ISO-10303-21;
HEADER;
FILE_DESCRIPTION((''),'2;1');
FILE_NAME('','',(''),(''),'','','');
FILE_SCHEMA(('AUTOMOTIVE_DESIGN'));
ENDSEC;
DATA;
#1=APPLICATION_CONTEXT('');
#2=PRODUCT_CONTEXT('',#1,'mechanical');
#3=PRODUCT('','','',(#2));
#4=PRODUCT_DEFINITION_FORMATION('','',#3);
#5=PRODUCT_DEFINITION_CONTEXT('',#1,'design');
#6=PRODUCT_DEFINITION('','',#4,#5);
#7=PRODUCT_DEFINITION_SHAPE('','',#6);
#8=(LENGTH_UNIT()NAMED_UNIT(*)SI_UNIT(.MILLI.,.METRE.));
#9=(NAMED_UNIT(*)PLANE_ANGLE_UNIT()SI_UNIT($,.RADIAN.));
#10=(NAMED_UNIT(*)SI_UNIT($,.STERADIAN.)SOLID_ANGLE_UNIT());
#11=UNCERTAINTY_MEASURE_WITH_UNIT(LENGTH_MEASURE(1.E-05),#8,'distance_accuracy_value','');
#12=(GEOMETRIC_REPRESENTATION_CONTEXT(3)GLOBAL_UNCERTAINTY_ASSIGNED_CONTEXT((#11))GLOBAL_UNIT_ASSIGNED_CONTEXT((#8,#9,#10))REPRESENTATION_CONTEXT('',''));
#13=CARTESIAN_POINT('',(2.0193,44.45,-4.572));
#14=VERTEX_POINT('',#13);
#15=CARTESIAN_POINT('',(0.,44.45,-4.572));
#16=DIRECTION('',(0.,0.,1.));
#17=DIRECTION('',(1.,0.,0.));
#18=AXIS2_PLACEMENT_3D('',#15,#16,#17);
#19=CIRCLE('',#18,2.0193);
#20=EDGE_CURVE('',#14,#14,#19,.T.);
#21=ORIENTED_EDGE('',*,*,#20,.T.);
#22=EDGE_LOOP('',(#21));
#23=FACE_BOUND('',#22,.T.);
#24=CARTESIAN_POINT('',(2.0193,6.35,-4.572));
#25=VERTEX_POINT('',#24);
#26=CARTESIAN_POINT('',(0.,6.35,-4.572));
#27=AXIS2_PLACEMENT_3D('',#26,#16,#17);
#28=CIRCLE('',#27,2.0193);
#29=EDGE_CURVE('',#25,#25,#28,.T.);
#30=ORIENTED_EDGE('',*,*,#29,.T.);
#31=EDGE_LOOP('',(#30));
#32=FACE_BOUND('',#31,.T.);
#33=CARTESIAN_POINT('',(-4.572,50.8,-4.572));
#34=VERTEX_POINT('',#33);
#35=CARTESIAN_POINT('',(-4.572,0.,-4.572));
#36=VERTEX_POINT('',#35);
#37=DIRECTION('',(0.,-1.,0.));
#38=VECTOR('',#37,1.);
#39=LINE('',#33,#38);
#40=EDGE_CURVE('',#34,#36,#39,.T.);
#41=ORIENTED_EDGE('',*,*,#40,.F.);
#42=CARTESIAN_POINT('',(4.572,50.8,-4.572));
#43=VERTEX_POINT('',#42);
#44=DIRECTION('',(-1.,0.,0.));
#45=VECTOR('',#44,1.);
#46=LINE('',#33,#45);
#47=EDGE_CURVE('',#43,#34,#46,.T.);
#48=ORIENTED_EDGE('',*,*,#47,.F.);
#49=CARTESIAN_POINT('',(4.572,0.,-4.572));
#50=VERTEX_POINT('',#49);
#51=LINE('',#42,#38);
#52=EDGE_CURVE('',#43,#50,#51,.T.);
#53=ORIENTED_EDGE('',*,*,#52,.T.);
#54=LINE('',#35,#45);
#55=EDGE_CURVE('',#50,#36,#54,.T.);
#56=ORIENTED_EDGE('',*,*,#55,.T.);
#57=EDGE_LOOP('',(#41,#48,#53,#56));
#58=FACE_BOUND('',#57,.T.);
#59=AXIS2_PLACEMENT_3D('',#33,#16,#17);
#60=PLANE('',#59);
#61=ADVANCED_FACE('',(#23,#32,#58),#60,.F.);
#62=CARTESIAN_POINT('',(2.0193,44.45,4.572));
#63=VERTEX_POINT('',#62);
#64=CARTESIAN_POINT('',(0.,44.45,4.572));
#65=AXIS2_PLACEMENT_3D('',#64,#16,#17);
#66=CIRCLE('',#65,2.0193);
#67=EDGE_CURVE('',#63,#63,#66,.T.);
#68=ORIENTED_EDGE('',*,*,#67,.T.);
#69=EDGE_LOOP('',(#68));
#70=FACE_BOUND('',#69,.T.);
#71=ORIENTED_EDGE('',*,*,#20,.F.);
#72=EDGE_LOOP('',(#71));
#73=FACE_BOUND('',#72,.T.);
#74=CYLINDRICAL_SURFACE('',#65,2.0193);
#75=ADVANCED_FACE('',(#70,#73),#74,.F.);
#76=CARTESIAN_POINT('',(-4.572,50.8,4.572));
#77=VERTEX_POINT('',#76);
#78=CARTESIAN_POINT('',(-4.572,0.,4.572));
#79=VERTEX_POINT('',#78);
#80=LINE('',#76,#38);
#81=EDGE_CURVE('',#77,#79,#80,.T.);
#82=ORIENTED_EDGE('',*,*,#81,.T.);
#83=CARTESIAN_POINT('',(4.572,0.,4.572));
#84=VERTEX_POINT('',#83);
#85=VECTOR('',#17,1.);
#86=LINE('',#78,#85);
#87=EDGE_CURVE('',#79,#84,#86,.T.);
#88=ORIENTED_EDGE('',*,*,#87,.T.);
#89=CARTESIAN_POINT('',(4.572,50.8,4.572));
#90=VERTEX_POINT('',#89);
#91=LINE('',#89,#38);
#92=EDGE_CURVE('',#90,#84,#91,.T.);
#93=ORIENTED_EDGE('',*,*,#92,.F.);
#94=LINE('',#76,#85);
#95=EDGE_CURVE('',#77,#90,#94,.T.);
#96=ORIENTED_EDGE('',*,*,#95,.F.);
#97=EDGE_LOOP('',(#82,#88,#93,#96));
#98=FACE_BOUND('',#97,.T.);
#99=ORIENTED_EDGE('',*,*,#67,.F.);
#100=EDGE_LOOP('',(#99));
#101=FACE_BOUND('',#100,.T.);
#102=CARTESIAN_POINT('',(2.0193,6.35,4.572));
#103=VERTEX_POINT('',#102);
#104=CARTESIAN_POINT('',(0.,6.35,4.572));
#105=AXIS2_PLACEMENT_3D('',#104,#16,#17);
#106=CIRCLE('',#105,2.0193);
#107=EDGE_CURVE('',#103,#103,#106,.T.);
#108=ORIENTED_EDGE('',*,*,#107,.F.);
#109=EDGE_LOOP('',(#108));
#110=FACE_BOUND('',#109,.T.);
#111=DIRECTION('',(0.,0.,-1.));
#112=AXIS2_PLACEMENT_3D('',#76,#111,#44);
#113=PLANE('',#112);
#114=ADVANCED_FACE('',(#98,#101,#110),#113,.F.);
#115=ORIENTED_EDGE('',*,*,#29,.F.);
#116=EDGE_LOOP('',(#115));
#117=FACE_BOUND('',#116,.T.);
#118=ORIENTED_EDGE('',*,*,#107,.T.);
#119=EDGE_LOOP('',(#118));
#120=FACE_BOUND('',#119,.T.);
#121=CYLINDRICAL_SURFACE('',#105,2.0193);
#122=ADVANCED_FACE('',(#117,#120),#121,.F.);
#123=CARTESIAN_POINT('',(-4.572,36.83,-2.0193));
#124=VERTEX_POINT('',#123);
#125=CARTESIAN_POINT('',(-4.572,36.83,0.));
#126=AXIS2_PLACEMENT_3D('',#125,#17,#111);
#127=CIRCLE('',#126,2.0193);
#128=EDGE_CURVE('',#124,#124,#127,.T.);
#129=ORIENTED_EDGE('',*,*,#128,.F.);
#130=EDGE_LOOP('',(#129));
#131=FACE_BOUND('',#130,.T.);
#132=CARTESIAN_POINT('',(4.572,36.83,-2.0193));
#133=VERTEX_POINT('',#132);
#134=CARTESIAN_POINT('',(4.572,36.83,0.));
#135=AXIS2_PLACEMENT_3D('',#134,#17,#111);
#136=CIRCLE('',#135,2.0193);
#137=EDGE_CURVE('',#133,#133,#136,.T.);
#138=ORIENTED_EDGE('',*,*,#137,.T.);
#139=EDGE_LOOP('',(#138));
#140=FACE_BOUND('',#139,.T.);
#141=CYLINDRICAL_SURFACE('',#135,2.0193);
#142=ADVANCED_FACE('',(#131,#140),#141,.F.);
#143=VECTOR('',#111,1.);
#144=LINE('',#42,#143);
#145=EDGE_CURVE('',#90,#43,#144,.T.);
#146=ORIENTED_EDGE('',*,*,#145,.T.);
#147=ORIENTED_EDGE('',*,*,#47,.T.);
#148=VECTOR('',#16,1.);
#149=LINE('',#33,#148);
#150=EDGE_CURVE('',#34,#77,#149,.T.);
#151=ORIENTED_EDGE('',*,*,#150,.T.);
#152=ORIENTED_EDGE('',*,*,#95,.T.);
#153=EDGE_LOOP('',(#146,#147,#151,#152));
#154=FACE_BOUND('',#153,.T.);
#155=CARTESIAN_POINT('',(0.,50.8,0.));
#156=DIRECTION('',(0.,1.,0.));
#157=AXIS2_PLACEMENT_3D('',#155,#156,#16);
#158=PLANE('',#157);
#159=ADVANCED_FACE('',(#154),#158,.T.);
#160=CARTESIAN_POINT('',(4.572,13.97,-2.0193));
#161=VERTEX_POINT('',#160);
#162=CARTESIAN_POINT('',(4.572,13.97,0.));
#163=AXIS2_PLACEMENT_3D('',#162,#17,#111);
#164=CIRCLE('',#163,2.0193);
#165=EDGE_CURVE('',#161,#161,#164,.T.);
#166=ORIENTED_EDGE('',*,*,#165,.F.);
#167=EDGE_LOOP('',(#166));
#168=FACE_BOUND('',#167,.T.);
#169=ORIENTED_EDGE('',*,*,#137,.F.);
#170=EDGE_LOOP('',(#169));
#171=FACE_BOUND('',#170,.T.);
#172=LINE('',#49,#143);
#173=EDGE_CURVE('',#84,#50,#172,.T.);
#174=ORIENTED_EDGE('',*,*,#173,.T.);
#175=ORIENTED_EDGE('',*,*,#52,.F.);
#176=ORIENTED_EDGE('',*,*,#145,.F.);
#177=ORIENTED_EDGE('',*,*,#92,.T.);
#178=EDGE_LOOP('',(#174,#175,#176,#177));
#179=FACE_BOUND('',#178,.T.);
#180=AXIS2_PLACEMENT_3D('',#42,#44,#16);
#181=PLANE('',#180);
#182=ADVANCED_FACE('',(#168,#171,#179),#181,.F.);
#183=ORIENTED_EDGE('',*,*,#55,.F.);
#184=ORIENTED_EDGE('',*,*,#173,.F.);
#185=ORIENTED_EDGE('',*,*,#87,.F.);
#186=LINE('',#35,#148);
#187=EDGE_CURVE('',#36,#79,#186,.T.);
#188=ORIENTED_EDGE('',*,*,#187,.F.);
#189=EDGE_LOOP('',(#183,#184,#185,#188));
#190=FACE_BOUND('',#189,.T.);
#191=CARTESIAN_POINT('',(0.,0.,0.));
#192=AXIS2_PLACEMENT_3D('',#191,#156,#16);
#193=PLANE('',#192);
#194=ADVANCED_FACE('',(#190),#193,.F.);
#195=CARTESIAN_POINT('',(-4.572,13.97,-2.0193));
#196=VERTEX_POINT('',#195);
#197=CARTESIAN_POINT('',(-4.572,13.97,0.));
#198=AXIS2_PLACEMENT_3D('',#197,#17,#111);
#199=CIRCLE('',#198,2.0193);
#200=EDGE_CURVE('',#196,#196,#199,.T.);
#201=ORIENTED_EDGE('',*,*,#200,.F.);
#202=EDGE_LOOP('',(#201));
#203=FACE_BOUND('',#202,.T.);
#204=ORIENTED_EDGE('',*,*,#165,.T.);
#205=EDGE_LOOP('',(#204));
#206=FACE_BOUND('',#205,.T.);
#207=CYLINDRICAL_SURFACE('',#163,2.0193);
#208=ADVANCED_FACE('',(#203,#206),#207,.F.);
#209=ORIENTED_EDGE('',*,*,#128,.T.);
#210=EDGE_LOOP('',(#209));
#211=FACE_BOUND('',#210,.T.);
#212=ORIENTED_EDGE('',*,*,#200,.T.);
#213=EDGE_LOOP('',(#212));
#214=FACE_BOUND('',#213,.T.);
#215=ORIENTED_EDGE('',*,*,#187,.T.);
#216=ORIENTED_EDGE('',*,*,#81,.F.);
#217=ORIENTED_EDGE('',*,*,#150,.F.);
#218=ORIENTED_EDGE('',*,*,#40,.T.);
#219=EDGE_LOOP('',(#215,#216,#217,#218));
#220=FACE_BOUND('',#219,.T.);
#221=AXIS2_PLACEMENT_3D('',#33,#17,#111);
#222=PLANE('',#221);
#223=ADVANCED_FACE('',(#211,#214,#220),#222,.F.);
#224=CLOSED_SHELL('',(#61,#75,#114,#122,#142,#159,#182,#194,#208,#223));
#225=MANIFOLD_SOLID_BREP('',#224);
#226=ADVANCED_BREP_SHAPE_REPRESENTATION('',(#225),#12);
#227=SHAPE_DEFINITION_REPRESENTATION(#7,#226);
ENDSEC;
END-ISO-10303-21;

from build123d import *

# Parameters (mm, degrees)
SKETCH1_W                  = 9.144
SKETCH1_H                  = 9.144
BOSS_EXTRUDE1_DEPTH        = 50.8
TAP_DRILL_FOR_10_32_TAP1_D = 4.0386
TAP_DRILL_FOR_10_32_TAP2_D = 4.0386


with BuildPart() as part:
    # Sketch1 → Boss-Extrude1 (new body)
    with BuildSketch(Plane(origin=(0, 0, 0), x_dir=(1, 0, 0), z_dir=(0, 1, 0))):
        Rectangle(SKETCH1_W, SKETCH1_H)
    extrude(amount=BOSS_EXTRUDE1_DEPTH)

    # Tap Drill for #10-32 Tap1 (through all)
    with Locations(Plane.XY.offset(4.572)):
        with Locations((0, 44.45), (0, 6.35)):
            Hole(TAP_DRILL_FOR_10_32_TAP1_D / 2)

    # Tap Drill for #10-32 Tap2 (through all)
    with Locations(Plane(origin=(4.572, 0, 0), x_dir=(0, 0, -1), z_dir=(1, 0, 0))):
        with Locations((0, 36.83), (0, 13.97)):
            Hole(TAP_DRILL_FOR_10_32_TAP2_D / 2)


solid = part.part
